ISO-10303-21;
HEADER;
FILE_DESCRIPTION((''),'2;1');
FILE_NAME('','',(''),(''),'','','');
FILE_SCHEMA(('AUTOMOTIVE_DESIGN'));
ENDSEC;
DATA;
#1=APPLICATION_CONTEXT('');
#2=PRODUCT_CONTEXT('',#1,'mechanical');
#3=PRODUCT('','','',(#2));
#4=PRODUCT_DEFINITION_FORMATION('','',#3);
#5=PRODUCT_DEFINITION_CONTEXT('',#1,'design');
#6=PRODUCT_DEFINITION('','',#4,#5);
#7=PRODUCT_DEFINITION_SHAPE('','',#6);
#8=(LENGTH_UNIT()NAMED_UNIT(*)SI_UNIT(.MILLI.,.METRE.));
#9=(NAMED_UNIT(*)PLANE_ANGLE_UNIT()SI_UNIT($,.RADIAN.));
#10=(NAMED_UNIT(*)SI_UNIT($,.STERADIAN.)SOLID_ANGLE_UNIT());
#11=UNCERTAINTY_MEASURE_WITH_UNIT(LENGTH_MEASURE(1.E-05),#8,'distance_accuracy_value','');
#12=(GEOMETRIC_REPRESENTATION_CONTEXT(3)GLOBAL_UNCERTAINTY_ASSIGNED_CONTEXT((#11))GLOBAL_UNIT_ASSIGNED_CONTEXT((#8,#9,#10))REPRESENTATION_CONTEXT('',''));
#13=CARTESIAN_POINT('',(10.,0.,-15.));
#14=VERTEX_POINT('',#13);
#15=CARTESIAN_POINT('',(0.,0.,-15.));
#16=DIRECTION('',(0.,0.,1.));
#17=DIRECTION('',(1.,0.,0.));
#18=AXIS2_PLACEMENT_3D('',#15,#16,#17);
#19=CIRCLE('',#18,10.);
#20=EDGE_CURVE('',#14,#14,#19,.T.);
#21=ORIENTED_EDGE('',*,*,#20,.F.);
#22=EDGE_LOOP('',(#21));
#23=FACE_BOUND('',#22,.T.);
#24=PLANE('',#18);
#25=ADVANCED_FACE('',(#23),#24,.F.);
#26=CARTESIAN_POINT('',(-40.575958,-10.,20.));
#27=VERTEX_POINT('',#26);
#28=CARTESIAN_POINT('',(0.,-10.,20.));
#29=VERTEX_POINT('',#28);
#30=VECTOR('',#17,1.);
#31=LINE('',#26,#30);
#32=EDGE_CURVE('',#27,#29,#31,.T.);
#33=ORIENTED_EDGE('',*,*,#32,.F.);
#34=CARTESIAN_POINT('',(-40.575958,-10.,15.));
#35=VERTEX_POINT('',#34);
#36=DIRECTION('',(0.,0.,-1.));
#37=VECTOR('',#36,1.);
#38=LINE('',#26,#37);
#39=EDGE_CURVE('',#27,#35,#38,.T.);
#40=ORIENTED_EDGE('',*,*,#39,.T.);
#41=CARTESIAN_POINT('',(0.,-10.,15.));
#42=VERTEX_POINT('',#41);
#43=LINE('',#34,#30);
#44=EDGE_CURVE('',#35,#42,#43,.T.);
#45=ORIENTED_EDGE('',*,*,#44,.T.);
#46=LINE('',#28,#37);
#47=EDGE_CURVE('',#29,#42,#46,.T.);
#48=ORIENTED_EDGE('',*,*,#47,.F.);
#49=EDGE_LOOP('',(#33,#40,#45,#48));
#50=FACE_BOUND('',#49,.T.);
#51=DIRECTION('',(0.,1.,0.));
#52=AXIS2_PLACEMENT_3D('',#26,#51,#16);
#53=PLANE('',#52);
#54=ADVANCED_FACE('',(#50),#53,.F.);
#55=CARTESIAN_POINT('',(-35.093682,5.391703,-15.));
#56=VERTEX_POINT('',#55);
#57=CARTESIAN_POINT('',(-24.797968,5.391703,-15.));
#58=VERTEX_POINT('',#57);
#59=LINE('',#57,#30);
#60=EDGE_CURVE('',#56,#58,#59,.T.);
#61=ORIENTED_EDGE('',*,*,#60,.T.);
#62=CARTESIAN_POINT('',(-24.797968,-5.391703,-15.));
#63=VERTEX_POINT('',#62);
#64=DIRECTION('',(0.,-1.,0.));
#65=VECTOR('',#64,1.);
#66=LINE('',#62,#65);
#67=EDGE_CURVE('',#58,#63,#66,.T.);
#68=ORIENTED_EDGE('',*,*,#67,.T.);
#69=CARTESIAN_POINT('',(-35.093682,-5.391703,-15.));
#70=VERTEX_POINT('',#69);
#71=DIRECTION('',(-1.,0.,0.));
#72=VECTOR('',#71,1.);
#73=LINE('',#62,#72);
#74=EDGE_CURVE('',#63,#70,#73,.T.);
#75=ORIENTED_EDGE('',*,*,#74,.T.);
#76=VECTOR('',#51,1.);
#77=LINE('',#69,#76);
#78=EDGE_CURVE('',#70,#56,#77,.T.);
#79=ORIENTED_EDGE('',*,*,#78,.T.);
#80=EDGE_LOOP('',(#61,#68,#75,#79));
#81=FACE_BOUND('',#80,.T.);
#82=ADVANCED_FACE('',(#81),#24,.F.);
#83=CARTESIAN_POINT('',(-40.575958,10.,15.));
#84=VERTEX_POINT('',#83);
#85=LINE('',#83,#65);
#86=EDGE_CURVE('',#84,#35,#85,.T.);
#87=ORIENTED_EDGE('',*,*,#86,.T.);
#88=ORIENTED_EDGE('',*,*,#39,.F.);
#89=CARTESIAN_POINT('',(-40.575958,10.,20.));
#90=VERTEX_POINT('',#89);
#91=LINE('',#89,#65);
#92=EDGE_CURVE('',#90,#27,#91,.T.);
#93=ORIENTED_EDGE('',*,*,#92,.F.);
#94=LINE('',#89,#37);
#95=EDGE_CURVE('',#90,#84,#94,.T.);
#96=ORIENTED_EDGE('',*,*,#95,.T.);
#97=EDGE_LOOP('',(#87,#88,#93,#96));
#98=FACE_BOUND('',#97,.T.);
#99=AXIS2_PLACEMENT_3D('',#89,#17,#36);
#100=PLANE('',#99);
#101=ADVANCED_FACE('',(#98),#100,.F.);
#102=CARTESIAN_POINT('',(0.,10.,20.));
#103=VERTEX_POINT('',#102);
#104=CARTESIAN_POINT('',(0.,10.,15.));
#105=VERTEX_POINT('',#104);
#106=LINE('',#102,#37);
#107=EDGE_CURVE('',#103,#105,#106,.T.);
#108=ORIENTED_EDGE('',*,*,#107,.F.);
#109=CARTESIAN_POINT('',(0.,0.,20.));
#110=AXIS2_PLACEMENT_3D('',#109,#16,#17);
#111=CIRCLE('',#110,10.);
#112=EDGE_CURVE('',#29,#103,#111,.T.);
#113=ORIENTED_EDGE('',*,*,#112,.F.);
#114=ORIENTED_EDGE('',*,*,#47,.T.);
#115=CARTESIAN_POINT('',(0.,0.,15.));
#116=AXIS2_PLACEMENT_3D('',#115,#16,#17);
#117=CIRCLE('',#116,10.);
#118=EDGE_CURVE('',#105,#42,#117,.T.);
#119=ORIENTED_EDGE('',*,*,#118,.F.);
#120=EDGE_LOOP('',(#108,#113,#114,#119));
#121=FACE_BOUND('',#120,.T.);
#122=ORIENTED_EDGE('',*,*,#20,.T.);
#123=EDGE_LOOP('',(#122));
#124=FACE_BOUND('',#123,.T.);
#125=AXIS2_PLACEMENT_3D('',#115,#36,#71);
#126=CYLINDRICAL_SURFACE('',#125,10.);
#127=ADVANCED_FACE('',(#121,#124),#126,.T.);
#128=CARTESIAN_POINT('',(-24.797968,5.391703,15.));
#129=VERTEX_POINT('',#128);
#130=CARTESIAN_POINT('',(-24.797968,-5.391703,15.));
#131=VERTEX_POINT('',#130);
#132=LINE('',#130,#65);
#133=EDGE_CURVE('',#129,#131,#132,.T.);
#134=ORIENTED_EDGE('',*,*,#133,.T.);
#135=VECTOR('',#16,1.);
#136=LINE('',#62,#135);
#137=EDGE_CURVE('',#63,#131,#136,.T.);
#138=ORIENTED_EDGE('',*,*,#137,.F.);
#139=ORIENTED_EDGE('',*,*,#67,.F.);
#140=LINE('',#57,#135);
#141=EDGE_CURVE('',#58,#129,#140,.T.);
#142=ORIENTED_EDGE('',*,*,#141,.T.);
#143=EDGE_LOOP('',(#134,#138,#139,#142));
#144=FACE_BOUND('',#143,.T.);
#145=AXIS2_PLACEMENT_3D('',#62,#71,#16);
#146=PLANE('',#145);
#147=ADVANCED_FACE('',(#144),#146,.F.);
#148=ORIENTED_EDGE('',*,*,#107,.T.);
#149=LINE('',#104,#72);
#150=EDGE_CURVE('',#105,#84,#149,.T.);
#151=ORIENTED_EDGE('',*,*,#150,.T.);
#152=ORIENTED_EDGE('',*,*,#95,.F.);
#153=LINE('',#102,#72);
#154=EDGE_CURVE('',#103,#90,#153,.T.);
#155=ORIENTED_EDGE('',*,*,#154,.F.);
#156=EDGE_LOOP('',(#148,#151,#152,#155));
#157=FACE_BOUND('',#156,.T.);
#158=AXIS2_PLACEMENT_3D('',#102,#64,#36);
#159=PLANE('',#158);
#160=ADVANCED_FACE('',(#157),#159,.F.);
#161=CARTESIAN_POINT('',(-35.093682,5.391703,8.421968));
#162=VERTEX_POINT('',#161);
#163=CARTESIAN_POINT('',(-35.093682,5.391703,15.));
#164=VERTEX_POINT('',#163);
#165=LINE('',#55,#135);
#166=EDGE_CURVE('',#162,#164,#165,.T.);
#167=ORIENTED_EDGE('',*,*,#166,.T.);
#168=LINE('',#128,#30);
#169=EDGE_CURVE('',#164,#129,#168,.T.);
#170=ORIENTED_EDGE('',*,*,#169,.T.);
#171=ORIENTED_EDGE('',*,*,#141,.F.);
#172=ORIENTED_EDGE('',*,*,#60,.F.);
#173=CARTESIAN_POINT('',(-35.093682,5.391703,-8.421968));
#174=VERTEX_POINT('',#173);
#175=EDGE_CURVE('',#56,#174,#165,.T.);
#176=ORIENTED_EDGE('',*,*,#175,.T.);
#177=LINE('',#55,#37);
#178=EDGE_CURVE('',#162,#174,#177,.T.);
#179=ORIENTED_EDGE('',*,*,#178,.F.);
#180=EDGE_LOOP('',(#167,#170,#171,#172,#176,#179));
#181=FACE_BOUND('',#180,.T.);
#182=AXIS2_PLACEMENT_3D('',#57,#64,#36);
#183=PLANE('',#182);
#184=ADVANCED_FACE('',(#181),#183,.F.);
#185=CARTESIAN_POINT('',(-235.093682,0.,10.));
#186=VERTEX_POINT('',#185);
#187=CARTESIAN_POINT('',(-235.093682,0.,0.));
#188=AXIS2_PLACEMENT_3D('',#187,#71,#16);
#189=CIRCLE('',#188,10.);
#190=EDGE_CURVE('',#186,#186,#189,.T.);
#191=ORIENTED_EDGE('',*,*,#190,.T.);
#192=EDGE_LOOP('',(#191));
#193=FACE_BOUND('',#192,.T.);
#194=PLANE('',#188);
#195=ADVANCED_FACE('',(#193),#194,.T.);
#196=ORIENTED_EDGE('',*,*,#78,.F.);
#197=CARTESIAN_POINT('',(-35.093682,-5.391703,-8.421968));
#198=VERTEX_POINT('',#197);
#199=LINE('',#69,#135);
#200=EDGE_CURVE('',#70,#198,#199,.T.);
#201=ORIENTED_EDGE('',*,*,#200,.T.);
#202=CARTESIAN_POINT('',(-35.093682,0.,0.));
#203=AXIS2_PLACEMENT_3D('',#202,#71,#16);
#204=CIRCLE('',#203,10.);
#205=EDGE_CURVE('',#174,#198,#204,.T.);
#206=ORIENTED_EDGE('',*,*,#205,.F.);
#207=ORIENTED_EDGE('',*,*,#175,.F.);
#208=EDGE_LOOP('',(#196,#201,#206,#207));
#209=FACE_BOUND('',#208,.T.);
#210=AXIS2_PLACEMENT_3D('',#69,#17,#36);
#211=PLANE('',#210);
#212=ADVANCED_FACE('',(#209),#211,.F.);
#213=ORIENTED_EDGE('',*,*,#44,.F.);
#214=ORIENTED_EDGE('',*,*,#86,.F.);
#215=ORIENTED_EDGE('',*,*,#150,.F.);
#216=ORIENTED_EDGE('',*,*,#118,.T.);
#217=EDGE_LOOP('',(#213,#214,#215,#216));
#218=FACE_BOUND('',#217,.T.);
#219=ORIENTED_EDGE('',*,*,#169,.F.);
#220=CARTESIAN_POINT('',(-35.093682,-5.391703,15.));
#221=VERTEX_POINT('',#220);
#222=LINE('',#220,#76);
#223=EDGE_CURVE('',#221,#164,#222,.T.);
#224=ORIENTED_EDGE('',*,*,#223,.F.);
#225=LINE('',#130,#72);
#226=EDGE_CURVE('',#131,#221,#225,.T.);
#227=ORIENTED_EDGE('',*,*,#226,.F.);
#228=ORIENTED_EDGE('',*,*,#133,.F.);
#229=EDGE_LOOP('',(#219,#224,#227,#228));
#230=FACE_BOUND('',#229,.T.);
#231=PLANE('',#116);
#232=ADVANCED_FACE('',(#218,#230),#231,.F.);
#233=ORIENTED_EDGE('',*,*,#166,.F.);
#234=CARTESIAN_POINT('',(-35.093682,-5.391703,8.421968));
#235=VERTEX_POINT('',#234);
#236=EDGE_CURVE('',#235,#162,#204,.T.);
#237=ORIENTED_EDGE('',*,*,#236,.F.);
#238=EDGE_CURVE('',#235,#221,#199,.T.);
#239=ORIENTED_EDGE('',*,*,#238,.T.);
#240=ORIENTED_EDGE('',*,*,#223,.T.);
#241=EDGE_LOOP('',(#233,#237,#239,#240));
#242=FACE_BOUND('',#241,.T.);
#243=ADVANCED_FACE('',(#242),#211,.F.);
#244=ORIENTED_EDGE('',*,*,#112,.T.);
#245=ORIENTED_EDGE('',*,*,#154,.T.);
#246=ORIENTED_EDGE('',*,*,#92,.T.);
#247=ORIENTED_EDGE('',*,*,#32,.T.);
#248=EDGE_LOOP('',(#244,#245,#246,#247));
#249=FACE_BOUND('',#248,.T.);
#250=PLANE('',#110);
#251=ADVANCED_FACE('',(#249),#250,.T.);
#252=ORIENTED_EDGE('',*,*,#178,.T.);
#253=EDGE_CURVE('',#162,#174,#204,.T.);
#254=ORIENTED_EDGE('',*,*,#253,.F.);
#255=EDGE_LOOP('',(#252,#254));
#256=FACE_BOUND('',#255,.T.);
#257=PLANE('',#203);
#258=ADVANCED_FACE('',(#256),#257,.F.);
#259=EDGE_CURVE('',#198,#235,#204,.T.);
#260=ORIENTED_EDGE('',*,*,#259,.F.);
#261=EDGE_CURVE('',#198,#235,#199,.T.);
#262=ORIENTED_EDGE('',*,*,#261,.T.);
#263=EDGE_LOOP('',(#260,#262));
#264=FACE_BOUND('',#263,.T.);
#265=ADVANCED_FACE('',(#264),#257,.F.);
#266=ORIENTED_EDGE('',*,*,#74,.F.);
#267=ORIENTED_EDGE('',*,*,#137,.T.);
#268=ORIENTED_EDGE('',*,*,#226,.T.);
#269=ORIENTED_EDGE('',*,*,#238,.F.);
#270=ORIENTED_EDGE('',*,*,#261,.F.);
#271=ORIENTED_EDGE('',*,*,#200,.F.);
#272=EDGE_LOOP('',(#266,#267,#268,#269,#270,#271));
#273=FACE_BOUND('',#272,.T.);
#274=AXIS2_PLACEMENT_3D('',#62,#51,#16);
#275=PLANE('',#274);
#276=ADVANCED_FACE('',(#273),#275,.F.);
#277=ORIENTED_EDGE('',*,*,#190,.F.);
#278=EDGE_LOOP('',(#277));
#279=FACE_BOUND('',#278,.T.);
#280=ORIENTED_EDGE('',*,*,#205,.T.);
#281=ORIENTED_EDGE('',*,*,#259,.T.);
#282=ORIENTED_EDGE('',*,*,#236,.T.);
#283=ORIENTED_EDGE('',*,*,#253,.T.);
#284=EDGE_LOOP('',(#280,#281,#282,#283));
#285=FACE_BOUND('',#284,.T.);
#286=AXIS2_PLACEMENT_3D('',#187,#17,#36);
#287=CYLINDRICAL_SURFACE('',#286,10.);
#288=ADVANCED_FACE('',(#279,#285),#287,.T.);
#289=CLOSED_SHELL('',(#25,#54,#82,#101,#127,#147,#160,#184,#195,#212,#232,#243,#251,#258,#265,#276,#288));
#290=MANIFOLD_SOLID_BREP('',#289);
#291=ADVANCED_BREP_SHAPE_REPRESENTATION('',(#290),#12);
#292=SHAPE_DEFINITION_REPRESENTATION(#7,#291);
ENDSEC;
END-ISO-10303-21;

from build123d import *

# Parameters (mm, degrees)
SZKIC1_R                    = 10
DODANIE_WYCI_GNI_CIE1_DEPTH = 15
DODANIE_WYCI_GNI_CIE2_START = 5
DODANIE_WYCI_GNI_CIE2_DEPTH = 5
SZKIC3_W                    = 10.29571442
SZKIC3_H                    = 10.783406156
DODANIE_WYCI_GNI_CIE3_DEPTH = 30
SZKIC4_R                    = 10
DODANIE_WYCI_GNI_CIE4_DEPTH = 200


with BuildPart() as part:
    # Szkic1 → Dodanie-wyciągnięcie1 (new, symmetric)
    with BuildSketch(Plane.XY):
        Circle(SZKIC1_R)
    extrude(amount=DODANIE_WYCI_GNI_CIE1_DEPTH, both=True)

    # Szkic2 → Dodanie-wyciągnięcie2 (add)
    with BuildSketch(Plane.XY.offset(15).offset(DODANIE_WYCI_GNI_CIE2_START)):
        with BuildLine():
            Line((0, 10), (-40.57595794, 10))
            Line((-40.57595794, 10), (-40.57595794, -10))
            Line((-40.57595794, -10), (0, -10))
            ThreePointArc((0, -10), (10, 0), (0, 10))
        make_face()
    extrude(amount=-DODANIE_WYCI_GNI_CIE2_DEPTH)

    # Szkic3 → Dodanie-wyciągnięcie3 (add)
    with BuildSketch(Plane(origin=(0, 0, 15), x_dir=(-1, 0, 0), z_dir=(0, 0, -1))):
        with Locations((29.945825027, 0)):
            Rectangle(SZKIC3_W, SZKIC3_H)
    extrude(amount=DODANIE_WYCI_GNI_CIE3_DEPTH)

    # Szkic4 → Dodanie-wyciągnięcie4 (add)
    with BuildSketch(Plane.ZY.offset(35.093682237)):
        with Locations(Location((0, 0, 0), (0, 0, 147.37282405))):
            Circle(SZKIC4_R)
    extrude(amount=DODANIE_WYCI_GNI_CIE4_DEPTH)


solid = part.part
